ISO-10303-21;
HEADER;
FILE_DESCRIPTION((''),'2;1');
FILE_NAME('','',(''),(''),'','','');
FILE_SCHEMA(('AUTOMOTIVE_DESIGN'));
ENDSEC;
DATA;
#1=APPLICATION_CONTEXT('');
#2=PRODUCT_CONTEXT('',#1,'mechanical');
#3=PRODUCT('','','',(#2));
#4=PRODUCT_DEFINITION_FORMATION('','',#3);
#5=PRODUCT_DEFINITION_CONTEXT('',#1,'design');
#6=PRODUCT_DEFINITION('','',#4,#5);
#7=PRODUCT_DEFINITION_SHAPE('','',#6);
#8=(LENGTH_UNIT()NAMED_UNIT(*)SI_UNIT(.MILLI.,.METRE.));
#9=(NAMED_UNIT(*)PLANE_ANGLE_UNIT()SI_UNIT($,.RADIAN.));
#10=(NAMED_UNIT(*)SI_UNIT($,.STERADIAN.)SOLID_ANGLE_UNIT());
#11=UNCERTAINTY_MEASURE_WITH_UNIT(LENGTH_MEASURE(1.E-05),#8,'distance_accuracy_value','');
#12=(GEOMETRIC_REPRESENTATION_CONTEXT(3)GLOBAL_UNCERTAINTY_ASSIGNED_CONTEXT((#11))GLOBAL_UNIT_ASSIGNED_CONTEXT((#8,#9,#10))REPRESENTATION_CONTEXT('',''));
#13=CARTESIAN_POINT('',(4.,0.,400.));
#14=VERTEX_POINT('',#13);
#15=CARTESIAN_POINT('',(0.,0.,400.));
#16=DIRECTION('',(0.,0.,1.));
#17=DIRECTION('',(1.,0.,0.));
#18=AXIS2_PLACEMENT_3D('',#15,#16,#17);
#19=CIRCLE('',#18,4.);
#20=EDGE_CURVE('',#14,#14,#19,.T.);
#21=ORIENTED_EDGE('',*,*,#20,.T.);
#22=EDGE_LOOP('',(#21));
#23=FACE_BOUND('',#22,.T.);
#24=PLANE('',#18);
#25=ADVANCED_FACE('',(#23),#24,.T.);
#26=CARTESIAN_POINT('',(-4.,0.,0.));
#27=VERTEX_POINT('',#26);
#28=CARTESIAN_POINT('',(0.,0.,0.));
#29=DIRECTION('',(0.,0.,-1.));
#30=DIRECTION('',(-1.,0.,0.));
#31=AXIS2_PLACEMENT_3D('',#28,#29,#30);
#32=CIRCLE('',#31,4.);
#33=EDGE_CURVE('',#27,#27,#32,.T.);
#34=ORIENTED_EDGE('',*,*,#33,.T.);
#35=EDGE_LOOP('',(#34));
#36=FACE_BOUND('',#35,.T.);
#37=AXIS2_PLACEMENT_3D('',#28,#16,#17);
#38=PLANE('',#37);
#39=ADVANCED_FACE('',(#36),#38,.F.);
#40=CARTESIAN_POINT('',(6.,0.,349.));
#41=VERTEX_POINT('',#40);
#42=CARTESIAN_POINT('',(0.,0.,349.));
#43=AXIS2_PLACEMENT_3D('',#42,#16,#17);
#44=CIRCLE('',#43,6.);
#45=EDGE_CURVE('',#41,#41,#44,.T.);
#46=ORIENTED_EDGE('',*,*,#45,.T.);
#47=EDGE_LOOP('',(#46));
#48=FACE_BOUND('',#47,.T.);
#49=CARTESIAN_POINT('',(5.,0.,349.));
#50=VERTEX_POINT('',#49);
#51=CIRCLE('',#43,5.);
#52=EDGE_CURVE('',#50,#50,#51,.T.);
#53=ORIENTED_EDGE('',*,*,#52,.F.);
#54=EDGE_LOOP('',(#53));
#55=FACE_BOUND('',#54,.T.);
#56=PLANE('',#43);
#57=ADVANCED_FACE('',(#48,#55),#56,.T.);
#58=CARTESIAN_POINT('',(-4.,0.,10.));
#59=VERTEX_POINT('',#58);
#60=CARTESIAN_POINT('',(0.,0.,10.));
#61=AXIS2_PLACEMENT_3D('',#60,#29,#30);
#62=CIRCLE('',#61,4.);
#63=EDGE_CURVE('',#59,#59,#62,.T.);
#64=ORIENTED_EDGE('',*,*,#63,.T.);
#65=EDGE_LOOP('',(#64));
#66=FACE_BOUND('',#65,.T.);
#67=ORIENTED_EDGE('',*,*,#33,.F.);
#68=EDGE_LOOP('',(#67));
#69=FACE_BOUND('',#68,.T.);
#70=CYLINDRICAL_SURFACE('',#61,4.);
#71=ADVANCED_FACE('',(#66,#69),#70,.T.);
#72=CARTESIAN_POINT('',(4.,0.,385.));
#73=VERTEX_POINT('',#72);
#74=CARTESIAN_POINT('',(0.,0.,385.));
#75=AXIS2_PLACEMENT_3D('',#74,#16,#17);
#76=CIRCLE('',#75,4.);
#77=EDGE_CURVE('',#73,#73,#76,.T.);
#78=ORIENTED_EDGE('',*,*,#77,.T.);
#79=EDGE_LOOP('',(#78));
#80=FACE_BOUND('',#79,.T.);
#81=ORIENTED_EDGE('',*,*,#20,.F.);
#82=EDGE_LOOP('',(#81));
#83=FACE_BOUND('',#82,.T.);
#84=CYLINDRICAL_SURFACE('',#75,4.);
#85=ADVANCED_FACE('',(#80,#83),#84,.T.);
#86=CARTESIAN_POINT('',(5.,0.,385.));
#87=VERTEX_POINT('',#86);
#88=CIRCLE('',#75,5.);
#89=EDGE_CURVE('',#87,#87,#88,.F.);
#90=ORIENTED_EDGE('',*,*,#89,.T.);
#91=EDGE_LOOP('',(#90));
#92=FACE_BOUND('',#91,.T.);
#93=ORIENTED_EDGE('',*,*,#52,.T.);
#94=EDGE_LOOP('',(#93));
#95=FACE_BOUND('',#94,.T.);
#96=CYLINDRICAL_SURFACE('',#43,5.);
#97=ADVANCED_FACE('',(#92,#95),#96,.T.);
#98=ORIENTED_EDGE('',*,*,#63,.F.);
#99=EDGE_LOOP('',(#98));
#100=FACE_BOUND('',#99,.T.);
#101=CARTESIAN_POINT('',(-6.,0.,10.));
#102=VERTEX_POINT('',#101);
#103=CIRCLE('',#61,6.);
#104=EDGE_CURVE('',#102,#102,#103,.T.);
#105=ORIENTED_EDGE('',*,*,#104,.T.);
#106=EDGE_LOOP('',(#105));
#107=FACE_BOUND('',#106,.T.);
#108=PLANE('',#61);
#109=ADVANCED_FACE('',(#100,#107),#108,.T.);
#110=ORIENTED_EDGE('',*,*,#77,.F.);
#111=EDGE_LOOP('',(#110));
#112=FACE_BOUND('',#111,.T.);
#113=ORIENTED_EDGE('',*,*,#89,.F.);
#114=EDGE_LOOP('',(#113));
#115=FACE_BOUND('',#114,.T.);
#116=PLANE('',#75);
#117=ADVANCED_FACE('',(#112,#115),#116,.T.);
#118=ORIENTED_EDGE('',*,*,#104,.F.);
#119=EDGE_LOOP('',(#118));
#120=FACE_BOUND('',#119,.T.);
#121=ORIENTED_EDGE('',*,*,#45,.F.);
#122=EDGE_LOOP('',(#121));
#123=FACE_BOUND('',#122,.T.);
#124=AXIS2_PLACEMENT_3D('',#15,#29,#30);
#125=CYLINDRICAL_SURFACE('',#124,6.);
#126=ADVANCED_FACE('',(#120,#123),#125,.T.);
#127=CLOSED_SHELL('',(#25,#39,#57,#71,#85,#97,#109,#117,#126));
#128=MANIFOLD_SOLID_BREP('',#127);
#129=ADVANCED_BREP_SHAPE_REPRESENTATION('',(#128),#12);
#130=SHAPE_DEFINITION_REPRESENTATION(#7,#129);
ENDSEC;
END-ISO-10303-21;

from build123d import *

# Parameters (mm, degrees)
SKETCH_1_R          = 6
EXTRUDE_1_DEPTH     = 400
SKETCH_2_OUTSIDE_W  = 94.072
SKETCH_2_OUTSIDE_H  = 94.072
SKETCH_2_OUTSIDE_R  = 5
CUT_EXTRUDE_1_DEPTH = 51
SKETCH_4_OUTSIDE_W  = 94.072
SKETCH_4_OUTSIDE_H  = 94.072
SKETCH_4_OUTSIDE_R  = 4
CUT_EXTRUDE_3_DEPTH = 15
SKETCH_5_OUTSIDE_W  = 94.072
SKETCH_5_OUTSIDE_H  = 94.072
SKETCH_5_OUTSIDE_R  = 4
CUT_EXTRUDE_4_DEPTH = 10


with BuildPart() as part:
    # Эскиз1 → Бобышка-Вытянуть1 (new body)
    with BuildSketch(Plane.XY):
        Circle(SKETCH_1_R)
    extrude(amount=EXTRUDE_1_DEPTH)

    # Эскиз2 outside → Вырез-Вытянуть1 (cut)
    with BuildSketch(Plane.XY.offset(400)):
        Rectangle(SKETCH_2_OUTSIDE_W, SKETCH_2_OUTSIDE_H)
        Circle(SKETCH_2_OUTSIDE_R, mode=Mode.SUBTRACT)
    extrude(amount=-CUT_EXTRUDE_1_DEPTH, mode=Mode.SUBTRACT)

    # Эскиз4 outside → Вырез-Вытянуть3 (cut)
    with BuildSketch(Plane.XY.offset(400)):
        Rectangle(SKETCH_4_OUTSIDE_W, SKETCH_4_OUTSIDE_H)
        Circle(SKETCH_4_OUTSIDE_R, mode=Mode.SUBTRACT)
    extrude(amount=-CUT_EXTRUDE_3_DEPTH, mode=Mode.SUBTRACT)

    # Эскиз5 outside → Вырез-Вытянуть4 (cut)
    with BuildSketch(Plane(origin=(0, 0, 0), x_dir=(-1, 0, 0), z_dir=(0, 0, -1))):
        Rectangle(SKETCH_5_OUTSIDE_W, SKETCH_5_OUTSIDE_H)
        with Locations(Location((0, 0, 0), (0, 0, 180))):
            Circle(SKETCH_5_OUTSIDE_R, mode=Mode.SUBTRACT)
    extrude(amount=-CUT_EXTRUDE_4_DEPTH, mode=Mode.SUBTRACT)


solid = part.part
